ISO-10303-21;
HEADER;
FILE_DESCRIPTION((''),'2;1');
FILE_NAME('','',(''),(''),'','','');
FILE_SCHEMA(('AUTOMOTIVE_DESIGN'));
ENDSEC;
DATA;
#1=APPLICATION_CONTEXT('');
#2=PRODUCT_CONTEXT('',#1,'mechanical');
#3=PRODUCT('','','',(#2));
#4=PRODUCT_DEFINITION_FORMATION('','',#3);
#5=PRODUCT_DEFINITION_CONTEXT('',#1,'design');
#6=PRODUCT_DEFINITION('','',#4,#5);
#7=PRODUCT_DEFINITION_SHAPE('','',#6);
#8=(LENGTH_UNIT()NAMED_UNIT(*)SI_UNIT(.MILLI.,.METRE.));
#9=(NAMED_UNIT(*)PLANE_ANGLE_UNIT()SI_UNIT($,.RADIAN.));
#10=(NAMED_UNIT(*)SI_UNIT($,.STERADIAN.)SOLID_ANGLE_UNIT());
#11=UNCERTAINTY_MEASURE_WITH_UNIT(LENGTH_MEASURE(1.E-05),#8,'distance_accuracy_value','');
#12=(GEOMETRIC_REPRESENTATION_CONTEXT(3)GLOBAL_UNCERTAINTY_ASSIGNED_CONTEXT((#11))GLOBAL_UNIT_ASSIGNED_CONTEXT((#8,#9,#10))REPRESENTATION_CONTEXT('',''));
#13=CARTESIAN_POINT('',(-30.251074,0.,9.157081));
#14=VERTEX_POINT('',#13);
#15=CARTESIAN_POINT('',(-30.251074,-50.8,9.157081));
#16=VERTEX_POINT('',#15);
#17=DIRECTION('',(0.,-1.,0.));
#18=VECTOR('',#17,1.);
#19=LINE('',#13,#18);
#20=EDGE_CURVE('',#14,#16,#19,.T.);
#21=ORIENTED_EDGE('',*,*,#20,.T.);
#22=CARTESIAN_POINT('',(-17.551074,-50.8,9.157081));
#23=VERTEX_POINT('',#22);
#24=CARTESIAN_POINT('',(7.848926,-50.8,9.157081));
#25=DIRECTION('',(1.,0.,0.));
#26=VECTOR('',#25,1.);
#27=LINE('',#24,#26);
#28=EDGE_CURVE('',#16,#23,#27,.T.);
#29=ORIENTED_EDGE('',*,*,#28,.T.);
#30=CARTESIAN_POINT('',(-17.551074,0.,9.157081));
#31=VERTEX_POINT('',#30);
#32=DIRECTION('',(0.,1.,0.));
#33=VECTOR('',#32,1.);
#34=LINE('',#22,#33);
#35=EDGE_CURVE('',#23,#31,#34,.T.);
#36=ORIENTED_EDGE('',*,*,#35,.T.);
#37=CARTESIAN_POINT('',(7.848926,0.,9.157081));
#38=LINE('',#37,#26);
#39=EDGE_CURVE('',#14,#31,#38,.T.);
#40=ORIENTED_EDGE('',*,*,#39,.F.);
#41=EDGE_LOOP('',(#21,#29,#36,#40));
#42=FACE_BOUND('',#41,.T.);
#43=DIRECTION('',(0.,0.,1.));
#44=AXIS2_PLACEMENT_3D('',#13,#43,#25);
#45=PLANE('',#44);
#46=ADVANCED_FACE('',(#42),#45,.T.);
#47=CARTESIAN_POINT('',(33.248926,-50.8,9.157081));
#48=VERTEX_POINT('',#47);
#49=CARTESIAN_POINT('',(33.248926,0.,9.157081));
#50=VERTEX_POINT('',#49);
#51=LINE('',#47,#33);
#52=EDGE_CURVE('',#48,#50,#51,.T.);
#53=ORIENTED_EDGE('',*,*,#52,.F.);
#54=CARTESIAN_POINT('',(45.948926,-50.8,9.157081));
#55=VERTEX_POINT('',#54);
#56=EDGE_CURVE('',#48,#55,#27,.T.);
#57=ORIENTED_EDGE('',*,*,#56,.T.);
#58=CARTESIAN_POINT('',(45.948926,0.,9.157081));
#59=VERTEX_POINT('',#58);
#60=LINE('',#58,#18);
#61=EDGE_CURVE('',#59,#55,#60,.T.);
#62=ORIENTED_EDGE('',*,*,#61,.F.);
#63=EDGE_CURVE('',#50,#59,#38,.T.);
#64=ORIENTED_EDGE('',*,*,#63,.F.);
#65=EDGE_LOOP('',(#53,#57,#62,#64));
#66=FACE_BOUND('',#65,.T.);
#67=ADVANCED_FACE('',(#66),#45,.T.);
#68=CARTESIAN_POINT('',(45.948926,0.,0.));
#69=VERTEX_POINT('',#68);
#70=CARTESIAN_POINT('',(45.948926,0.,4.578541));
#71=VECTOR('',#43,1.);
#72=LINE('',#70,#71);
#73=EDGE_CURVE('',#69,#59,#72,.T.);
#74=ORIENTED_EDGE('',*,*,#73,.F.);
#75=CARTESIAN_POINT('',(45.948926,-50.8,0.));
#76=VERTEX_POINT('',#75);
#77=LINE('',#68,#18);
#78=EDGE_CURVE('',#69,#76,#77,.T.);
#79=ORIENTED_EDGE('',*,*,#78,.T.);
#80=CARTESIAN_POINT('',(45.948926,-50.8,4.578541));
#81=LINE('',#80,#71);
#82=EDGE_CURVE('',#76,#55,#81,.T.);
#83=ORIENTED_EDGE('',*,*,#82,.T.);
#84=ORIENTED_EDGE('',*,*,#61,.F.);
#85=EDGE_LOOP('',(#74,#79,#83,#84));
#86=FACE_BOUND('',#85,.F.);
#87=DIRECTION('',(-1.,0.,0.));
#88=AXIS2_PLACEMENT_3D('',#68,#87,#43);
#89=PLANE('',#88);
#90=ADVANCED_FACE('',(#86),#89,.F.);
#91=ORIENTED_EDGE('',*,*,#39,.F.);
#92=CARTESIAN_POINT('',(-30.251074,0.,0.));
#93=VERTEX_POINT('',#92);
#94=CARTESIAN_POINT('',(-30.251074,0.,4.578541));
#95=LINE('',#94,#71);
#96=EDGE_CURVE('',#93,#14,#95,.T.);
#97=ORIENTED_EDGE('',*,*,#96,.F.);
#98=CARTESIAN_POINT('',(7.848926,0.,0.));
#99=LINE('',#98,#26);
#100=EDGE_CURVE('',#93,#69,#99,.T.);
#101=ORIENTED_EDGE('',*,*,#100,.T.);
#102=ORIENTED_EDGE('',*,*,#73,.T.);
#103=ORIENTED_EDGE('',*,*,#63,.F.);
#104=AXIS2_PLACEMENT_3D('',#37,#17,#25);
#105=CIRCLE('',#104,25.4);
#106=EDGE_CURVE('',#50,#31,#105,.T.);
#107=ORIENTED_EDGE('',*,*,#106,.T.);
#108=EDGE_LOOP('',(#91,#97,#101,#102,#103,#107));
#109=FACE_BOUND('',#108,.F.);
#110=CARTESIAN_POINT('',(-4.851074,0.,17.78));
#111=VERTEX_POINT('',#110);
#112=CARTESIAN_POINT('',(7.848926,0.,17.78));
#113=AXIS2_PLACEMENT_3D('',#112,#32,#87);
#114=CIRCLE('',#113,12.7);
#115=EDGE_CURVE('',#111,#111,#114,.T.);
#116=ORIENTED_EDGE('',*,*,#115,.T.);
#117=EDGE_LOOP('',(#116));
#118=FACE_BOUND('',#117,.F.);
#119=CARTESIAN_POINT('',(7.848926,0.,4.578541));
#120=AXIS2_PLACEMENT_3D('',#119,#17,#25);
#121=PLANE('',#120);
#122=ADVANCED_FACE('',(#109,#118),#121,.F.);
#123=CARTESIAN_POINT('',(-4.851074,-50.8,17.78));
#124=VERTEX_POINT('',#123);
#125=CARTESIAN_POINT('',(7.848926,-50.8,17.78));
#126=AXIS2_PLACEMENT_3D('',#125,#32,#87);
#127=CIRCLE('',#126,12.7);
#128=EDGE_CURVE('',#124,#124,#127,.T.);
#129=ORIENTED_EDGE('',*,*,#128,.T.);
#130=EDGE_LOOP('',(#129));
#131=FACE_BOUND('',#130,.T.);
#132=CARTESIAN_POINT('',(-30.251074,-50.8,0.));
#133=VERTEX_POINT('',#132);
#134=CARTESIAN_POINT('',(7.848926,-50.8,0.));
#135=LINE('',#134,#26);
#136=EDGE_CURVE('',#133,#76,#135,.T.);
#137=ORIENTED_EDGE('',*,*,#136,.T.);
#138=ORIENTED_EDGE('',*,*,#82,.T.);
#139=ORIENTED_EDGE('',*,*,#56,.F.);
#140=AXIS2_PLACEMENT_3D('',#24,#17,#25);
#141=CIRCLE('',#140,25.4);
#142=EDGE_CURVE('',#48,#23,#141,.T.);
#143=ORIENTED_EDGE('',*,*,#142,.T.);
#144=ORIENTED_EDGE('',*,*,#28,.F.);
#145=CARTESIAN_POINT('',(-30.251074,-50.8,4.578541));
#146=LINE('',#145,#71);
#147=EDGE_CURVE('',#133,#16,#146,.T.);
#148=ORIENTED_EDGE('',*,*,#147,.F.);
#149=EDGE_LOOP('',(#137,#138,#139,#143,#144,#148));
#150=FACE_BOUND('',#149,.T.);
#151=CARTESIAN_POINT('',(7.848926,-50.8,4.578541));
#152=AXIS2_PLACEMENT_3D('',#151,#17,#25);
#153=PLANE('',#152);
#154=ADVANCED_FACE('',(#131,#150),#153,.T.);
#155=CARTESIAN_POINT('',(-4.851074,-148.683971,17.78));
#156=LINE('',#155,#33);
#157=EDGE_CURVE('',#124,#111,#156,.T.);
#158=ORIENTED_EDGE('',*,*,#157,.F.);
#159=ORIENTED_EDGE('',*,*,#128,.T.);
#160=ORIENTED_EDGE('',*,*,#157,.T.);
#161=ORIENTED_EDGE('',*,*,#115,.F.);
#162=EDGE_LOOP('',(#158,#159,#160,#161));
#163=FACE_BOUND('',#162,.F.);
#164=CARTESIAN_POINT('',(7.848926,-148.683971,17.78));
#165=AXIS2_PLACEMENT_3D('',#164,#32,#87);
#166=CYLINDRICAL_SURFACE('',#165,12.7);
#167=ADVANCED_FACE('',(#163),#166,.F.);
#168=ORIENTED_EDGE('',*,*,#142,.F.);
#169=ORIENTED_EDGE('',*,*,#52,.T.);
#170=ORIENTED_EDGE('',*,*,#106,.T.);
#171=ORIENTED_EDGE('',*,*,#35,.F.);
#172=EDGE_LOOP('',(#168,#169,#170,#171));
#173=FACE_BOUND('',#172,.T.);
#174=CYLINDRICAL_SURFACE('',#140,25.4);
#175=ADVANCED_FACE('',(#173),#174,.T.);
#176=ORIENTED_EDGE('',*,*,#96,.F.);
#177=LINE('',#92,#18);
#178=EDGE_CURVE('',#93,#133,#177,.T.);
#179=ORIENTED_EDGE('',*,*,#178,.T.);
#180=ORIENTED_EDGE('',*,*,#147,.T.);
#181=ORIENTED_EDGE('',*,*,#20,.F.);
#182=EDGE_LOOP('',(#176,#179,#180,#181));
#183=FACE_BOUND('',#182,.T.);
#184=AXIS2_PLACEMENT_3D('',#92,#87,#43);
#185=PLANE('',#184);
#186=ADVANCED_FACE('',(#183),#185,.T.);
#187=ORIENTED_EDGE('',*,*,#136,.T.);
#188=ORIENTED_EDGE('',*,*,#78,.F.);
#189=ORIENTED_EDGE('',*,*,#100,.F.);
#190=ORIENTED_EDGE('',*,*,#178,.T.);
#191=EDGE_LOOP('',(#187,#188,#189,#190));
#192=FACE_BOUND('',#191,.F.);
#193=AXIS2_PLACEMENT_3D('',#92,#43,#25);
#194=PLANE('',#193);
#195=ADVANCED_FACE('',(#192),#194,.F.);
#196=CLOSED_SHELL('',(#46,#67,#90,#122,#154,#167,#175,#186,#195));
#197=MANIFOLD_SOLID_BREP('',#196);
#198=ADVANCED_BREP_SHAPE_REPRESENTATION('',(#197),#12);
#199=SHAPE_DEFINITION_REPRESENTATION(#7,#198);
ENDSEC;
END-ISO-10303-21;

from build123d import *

# Parameters (mm, degrees)
F0_W     = 76.2
F0_H     = 9.1570811439
F1_DEPTH = 50.8
F3_DEPTH = 50.8
F5_D     = 25.4


with BuildPart() as f1:
    # F0 (on Front) → F1 (new body)
    with BuildSketch(Plane.XZ):
        with Locations((7.8489261553, 4.578540572)):
            Rectangle(F0_W, F0_H)
    extrude(amount=F1_DEPTH)

    # F2 (on face) → F3 (join)
    with BuildSketch(Plane.XZ.offset(50.8)):
        with BuildLine():
            Line((-17.5510738447, 9.1570811439), (33.2489261553, 9.1570811439))
            ThreePointArc((33.2489261553, 9.1570811439), (7.8489261553, 34.5570811439), (-17.5510738447, 9.1570811439))
        make_face()
    extrude(amount=-F3_DEPTH)

    # F5 (through all)
    with Locations(Plane.XZ.offset(50.8)):
        with Locations((7.8489261553, 17.78)):
            Hole(F5_D / 2)


solid = f1.part
